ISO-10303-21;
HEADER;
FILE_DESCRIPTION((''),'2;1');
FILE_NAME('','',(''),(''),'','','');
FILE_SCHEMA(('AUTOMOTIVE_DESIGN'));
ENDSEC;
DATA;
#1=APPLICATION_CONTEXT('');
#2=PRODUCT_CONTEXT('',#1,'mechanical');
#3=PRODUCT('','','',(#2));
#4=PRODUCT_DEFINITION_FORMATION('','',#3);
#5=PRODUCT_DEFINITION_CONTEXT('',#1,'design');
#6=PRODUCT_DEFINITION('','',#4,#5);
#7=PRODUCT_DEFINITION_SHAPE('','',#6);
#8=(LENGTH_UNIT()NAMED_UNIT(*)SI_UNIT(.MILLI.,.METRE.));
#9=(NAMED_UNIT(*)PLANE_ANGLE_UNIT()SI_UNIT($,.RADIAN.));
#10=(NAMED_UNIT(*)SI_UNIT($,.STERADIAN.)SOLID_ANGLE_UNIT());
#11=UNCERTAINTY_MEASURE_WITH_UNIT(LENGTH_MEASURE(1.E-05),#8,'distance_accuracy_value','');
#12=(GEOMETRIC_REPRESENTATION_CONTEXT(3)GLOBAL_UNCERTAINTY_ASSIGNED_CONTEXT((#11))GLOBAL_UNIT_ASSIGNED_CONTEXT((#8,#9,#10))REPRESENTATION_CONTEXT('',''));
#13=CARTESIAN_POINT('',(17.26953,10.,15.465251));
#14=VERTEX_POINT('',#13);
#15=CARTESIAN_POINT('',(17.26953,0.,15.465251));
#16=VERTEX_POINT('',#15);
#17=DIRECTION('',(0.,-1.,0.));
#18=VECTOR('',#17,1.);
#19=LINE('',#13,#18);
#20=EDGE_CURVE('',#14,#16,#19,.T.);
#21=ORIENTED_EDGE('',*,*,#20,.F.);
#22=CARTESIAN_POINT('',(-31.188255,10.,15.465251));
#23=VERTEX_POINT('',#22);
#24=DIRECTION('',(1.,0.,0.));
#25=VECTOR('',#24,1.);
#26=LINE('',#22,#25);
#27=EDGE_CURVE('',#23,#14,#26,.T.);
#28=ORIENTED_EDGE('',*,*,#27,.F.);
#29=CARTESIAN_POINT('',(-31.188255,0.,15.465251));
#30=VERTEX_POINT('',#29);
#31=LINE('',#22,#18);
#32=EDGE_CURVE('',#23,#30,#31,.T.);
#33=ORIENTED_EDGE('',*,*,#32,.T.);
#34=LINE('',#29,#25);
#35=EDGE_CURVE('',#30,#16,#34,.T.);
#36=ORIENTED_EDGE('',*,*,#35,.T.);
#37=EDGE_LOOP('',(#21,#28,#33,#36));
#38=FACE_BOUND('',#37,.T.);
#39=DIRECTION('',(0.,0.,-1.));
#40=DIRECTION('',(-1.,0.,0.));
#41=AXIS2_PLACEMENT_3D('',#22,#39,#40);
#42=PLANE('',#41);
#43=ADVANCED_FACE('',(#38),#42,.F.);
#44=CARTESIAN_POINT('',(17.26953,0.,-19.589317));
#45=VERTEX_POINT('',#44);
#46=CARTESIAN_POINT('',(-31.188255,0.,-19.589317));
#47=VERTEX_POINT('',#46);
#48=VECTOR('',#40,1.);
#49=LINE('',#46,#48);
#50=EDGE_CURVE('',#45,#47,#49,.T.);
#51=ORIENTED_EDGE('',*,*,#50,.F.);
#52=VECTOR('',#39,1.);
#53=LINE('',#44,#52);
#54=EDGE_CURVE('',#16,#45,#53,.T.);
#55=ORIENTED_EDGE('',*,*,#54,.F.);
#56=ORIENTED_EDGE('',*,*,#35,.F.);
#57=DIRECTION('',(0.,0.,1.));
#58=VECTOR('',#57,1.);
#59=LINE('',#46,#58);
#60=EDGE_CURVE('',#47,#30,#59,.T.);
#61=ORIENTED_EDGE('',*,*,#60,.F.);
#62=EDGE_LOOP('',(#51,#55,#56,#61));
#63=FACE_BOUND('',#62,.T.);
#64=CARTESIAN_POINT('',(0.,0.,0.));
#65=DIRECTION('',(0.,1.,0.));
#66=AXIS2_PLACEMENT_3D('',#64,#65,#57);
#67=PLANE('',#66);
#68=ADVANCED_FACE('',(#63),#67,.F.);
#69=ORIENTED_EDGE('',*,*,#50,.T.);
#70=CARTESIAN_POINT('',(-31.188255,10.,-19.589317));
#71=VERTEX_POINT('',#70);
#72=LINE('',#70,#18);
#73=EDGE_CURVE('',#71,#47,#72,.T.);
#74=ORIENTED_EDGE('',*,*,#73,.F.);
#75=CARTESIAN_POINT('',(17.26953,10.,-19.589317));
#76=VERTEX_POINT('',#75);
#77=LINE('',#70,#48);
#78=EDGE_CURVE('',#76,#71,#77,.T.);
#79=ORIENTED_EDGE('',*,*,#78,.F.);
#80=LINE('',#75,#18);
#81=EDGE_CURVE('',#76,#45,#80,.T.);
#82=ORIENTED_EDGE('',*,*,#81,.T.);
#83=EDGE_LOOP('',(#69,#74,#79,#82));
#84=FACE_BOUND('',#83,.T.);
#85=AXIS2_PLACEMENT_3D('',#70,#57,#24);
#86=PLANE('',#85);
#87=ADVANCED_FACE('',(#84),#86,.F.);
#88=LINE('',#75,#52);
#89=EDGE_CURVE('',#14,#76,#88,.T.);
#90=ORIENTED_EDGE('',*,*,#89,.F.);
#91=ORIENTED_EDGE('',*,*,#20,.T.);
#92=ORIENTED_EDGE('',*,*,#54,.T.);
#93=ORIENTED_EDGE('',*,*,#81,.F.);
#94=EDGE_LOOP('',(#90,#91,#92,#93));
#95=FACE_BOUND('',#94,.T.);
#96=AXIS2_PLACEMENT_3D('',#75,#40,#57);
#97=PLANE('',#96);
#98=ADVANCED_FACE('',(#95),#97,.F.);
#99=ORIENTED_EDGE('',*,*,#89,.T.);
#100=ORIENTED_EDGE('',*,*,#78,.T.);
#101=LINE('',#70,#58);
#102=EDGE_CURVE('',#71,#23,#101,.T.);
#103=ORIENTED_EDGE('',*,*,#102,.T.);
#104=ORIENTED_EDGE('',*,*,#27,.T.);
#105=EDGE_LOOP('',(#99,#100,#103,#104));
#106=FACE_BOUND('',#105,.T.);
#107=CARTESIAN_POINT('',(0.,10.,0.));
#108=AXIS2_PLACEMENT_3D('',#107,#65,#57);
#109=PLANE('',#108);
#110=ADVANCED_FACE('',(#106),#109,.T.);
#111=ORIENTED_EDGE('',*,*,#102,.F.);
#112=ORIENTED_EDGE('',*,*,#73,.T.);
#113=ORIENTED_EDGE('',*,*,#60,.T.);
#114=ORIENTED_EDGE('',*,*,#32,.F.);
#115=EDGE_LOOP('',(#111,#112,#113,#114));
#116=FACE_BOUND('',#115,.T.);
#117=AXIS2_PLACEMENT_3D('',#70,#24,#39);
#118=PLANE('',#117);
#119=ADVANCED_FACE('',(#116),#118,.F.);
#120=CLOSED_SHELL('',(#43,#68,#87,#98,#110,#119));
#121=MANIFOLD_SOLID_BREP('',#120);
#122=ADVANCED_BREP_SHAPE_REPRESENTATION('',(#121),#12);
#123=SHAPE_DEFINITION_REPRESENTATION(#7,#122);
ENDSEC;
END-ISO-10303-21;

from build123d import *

# Parameters (mm, degrees)
ESBO_O1_W                = 48.457785267
ESBO_O1_H                = 35.054568065
RESSALTO_EXTRUS_O1_DEPTH = 10


with BuildPart() as part:
    # Esboço1 → Ressalto-extrusão1 (new body)
    with BuildSketch(Plane(origin=(0, 0, 0), x_dir=(1, 0, 0), z_dir=(0, 1, 0))):
        with Locations((-6.959362778, 2.062033416)):
            Rectangle(ESBO_O1_W, ESBO_O1_H)
    extrude(amount=RESSALTO_EXTRUS_O1_DEPTH)


solid = part.part
